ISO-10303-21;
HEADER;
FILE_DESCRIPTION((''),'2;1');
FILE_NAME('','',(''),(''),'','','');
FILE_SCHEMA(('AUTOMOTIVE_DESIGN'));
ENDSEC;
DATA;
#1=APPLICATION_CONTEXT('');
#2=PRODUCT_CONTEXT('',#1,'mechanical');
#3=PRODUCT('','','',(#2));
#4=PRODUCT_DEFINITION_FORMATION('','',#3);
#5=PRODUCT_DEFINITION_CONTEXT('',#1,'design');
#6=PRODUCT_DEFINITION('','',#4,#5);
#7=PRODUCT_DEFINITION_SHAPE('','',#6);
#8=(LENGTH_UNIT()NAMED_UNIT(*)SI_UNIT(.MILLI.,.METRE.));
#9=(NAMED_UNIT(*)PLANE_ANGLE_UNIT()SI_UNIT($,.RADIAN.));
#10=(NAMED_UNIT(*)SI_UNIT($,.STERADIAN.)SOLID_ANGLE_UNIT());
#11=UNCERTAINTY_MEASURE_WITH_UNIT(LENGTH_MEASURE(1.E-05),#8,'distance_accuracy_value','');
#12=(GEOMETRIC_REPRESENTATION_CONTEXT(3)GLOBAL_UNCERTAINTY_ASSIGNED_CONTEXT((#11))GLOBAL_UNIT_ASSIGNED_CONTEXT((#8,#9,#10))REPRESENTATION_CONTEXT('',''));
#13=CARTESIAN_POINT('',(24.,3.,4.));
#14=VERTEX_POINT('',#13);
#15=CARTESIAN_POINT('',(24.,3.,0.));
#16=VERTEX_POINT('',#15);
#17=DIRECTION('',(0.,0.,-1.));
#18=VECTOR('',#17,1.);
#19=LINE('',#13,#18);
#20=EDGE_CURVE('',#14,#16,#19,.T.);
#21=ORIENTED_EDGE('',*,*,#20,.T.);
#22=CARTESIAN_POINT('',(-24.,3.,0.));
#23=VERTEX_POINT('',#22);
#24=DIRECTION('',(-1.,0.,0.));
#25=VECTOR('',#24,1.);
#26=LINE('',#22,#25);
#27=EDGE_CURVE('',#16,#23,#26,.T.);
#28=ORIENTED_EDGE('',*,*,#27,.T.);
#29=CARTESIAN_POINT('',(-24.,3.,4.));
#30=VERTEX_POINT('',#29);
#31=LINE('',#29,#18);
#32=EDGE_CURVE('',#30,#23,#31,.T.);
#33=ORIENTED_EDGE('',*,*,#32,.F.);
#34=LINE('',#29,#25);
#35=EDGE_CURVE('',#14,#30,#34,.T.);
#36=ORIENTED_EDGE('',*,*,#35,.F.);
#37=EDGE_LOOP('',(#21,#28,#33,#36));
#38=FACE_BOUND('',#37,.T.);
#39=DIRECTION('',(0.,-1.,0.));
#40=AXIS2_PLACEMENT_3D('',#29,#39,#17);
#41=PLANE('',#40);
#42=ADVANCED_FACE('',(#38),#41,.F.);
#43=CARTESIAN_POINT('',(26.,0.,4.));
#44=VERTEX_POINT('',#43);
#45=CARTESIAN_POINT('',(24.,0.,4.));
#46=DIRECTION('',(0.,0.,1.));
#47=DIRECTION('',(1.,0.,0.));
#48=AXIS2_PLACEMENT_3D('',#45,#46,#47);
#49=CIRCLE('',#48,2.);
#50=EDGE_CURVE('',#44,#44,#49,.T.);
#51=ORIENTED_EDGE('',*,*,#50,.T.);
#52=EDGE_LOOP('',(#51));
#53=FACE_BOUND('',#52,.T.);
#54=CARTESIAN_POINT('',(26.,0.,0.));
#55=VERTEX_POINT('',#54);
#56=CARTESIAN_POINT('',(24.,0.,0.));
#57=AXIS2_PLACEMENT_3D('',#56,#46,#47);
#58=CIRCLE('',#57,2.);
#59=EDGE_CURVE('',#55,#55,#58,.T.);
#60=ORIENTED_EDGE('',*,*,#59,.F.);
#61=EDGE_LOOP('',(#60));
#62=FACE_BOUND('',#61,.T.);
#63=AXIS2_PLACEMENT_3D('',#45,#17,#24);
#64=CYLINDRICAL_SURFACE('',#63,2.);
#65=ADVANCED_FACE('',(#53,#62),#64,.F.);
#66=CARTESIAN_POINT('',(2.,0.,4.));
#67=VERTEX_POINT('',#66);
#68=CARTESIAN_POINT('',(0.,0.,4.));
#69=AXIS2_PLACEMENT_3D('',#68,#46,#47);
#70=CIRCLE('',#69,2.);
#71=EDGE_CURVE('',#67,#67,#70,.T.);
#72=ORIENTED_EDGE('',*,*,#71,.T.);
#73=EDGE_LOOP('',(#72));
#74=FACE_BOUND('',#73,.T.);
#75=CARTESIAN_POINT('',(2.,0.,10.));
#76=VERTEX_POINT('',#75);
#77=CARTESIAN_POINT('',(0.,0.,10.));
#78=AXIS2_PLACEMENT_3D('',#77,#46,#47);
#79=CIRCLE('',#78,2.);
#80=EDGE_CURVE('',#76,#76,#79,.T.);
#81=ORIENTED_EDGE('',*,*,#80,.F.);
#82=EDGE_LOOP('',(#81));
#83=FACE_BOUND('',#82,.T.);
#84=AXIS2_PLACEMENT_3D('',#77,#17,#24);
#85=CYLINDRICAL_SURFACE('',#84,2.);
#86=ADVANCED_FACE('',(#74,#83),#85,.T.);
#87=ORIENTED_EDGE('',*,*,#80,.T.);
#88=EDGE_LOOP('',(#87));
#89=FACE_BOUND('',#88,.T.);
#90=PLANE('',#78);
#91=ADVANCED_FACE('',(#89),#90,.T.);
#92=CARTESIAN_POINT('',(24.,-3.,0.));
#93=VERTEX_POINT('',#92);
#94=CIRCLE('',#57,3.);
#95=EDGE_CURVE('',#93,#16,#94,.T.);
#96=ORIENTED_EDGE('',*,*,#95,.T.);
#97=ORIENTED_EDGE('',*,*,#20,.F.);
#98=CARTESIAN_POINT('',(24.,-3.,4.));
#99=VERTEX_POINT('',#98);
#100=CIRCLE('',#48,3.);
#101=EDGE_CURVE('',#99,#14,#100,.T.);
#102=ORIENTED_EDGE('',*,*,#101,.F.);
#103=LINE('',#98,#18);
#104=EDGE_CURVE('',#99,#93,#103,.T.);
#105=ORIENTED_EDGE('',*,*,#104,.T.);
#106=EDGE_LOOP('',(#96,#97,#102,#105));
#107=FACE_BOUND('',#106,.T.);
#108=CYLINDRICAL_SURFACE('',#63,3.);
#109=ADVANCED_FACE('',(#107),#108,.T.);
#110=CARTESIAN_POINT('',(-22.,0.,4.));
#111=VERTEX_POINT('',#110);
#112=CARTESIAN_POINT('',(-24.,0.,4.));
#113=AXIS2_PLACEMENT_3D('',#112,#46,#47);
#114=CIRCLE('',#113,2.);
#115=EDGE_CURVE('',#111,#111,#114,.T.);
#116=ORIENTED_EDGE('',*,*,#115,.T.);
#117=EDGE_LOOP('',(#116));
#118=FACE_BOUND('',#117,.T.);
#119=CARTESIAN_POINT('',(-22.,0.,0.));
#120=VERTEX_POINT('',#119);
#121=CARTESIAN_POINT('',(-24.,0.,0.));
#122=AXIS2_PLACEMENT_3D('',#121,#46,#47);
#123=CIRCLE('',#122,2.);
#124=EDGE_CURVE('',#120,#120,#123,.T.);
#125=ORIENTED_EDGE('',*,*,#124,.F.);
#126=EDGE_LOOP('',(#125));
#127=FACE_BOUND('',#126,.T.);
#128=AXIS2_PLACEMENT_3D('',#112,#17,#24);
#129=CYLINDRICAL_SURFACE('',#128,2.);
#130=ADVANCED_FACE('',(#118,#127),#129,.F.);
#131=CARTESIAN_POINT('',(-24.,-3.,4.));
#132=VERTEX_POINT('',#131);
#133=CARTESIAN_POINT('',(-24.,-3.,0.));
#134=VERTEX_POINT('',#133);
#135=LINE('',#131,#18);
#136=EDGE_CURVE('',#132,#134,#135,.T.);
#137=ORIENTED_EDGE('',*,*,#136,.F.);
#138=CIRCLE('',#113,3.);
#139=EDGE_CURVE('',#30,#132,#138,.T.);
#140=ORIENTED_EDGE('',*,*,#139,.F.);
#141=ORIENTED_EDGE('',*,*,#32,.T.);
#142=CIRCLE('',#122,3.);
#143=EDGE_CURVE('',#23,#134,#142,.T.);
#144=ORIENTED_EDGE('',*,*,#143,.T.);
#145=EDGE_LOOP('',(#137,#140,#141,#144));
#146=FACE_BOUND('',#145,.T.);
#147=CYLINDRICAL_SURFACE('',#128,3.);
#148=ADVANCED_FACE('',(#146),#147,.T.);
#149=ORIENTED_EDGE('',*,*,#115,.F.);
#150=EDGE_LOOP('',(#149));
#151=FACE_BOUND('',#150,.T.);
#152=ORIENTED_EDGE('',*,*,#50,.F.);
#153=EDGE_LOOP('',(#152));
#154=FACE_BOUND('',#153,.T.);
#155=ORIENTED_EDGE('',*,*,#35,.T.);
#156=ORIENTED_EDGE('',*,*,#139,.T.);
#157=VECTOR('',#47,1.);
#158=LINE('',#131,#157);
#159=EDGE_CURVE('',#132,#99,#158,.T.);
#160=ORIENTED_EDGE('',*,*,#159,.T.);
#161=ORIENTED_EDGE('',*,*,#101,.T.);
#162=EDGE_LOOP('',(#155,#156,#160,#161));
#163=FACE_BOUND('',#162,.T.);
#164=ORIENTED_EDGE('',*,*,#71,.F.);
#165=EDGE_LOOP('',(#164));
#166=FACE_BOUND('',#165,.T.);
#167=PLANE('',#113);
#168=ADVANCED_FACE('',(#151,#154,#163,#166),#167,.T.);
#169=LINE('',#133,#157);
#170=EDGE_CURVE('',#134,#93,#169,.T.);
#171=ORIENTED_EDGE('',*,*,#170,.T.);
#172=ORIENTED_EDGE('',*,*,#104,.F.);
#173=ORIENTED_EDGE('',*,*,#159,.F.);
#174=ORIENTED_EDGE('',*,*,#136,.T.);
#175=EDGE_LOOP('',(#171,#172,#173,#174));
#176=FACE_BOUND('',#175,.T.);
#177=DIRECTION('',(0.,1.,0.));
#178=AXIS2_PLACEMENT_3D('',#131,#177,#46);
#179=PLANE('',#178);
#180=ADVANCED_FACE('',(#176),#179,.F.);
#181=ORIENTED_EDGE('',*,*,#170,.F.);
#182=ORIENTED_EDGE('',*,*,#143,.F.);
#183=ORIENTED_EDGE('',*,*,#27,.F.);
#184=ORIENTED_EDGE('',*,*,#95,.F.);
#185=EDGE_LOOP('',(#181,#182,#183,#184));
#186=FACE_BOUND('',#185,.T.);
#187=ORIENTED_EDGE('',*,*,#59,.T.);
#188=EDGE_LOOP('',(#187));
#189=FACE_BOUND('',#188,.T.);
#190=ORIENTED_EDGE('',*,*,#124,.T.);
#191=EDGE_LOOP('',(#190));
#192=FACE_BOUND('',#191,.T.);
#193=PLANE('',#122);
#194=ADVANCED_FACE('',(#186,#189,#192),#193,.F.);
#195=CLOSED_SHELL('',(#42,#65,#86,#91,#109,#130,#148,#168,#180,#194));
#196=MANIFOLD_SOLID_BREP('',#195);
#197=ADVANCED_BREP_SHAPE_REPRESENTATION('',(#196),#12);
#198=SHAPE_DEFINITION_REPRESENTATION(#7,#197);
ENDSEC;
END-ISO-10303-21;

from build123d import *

# Parameters (mm, degrees)
SKETCH1_R           = 2
BOSS_EXTRUDE2_DEPTH = 4
SKETCH1_2_R         = 2
BOSS_EXTRUDE3_DEPTH = 10


with BuildPart() as part:
    # Sketch1 → Boss-Extrude2 (new body)
    with BuildSketch(Plane.XY):
        with BuildLine():
            Line((-24, 3), (24, 3))
            ThreePointArc((24, 3), (27, 0), (24, -3))
            Line((24, -3), (-24, -3))
            ThreePointArc((-24, -3), (-27, 0), (-24, 3))
        make_face()
        with Locations((-24, 0)):
            Circle(SKETCH1_R, mode=Mode.SUBTRACT)
        with Locations((24, 0)):
            Circle(SKETCH1_R, mode=Mode.SUBTRACT)
        Circle(SKETCH1_R, mode=Mode.SUBTRACT)
    extrude(amount=BOSS_EXTRUDE2_DEPTH)

    # Sketch1<2> → Boss-Extrude3 (add)
    with BuildSketch(Plane.XY):
        Circle(SKETCH1_2_R)
    extrude(amount=BOSS_EXTRUDE3_DEPTH)


solid = part.part
